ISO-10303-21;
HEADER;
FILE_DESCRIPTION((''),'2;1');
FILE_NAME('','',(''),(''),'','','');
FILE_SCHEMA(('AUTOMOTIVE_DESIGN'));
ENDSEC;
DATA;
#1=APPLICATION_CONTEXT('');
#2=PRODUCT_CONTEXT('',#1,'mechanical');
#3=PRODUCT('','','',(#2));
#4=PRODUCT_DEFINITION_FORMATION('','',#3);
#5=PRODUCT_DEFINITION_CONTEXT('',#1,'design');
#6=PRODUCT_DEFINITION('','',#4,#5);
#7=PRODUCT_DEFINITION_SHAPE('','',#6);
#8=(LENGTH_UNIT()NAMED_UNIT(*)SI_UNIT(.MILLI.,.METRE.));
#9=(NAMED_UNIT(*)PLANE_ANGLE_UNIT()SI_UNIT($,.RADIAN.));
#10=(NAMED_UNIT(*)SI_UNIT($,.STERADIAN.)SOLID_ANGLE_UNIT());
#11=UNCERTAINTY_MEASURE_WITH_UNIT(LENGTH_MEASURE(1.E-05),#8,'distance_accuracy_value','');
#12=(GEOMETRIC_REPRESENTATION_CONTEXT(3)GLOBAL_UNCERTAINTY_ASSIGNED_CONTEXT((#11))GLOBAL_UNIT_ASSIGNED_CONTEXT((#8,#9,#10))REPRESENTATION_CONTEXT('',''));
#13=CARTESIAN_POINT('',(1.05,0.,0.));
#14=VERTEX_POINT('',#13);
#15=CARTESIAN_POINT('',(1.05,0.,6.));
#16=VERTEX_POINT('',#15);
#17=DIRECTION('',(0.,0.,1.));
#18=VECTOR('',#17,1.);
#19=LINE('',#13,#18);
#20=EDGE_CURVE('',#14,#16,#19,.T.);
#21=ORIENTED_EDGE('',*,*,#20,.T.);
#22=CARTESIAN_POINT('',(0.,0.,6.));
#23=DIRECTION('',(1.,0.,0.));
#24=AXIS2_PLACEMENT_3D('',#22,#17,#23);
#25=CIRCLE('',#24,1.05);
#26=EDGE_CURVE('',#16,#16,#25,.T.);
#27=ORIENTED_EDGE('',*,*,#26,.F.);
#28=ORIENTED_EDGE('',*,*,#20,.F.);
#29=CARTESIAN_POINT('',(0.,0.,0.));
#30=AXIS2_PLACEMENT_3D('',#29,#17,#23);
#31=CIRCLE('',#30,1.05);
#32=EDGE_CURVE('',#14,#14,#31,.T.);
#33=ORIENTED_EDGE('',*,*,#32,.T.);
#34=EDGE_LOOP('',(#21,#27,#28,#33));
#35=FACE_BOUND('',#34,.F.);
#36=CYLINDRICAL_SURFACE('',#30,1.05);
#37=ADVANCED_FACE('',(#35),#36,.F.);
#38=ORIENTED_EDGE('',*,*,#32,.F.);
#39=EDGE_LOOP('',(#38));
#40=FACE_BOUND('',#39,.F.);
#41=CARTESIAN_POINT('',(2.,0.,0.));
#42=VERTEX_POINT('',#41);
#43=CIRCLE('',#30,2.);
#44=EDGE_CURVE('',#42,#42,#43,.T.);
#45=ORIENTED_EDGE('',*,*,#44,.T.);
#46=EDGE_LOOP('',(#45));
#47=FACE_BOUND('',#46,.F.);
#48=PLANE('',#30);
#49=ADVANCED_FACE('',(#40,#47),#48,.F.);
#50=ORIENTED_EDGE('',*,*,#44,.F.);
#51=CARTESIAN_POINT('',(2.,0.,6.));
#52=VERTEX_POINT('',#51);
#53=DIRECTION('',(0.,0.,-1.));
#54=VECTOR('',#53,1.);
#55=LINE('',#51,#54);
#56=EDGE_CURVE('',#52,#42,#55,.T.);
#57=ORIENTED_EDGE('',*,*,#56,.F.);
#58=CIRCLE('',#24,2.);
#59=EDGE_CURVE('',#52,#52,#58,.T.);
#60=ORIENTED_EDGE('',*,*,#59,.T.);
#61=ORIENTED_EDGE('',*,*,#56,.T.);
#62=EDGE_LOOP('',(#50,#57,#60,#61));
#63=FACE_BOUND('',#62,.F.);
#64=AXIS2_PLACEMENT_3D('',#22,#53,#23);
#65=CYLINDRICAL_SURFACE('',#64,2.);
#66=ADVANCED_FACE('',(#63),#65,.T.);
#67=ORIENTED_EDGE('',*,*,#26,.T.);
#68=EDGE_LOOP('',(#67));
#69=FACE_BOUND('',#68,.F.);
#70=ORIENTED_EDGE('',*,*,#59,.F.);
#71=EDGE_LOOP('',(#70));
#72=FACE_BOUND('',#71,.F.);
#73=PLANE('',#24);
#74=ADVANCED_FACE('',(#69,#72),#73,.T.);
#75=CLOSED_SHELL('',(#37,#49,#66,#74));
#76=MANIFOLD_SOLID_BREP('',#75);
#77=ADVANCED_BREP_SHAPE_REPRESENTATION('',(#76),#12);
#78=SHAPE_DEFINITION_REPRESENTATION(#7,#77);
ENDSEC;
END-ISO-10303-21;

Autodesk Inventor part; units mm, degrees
ref_plane "YZ Plane" through (0, 0, 0) normal (1, 0, 0) x (0, 1, 0)
ref_plane "XZ Plane" through (0, 0, 0) normal (0, 1, 0) x (-1, 0, 0)
ref_plane "XY Plane" through (0, 0, 0) normal (0, 0, 1) x (1, 0, 0)
sketch "スケッチ1" plane through (0, 0, 0) normal (0, 1, 0) x (-1, 0, 0)
  line L0 (-1.05, 0) -> (-1.05, 6)
  line L1 (-1.05, 6) -> (-2, 6)
  line L2 (-2, 6) -> (-2, 0)
  line L3 (-2, 0) -> (-1.05, 0)
  line L4 (0, 0) -> (0, 6) construction
  dimension "d0" = 6
  dimension "d1" = 2.1
  dimension "d2" = 4
revolve "回転1" add sketch "スケッチ1" angle 360 about axis through (0, 0, 0) along (0, 0, 1)
properties part number "C-2006-4" material "アセタール樹脂、白"
